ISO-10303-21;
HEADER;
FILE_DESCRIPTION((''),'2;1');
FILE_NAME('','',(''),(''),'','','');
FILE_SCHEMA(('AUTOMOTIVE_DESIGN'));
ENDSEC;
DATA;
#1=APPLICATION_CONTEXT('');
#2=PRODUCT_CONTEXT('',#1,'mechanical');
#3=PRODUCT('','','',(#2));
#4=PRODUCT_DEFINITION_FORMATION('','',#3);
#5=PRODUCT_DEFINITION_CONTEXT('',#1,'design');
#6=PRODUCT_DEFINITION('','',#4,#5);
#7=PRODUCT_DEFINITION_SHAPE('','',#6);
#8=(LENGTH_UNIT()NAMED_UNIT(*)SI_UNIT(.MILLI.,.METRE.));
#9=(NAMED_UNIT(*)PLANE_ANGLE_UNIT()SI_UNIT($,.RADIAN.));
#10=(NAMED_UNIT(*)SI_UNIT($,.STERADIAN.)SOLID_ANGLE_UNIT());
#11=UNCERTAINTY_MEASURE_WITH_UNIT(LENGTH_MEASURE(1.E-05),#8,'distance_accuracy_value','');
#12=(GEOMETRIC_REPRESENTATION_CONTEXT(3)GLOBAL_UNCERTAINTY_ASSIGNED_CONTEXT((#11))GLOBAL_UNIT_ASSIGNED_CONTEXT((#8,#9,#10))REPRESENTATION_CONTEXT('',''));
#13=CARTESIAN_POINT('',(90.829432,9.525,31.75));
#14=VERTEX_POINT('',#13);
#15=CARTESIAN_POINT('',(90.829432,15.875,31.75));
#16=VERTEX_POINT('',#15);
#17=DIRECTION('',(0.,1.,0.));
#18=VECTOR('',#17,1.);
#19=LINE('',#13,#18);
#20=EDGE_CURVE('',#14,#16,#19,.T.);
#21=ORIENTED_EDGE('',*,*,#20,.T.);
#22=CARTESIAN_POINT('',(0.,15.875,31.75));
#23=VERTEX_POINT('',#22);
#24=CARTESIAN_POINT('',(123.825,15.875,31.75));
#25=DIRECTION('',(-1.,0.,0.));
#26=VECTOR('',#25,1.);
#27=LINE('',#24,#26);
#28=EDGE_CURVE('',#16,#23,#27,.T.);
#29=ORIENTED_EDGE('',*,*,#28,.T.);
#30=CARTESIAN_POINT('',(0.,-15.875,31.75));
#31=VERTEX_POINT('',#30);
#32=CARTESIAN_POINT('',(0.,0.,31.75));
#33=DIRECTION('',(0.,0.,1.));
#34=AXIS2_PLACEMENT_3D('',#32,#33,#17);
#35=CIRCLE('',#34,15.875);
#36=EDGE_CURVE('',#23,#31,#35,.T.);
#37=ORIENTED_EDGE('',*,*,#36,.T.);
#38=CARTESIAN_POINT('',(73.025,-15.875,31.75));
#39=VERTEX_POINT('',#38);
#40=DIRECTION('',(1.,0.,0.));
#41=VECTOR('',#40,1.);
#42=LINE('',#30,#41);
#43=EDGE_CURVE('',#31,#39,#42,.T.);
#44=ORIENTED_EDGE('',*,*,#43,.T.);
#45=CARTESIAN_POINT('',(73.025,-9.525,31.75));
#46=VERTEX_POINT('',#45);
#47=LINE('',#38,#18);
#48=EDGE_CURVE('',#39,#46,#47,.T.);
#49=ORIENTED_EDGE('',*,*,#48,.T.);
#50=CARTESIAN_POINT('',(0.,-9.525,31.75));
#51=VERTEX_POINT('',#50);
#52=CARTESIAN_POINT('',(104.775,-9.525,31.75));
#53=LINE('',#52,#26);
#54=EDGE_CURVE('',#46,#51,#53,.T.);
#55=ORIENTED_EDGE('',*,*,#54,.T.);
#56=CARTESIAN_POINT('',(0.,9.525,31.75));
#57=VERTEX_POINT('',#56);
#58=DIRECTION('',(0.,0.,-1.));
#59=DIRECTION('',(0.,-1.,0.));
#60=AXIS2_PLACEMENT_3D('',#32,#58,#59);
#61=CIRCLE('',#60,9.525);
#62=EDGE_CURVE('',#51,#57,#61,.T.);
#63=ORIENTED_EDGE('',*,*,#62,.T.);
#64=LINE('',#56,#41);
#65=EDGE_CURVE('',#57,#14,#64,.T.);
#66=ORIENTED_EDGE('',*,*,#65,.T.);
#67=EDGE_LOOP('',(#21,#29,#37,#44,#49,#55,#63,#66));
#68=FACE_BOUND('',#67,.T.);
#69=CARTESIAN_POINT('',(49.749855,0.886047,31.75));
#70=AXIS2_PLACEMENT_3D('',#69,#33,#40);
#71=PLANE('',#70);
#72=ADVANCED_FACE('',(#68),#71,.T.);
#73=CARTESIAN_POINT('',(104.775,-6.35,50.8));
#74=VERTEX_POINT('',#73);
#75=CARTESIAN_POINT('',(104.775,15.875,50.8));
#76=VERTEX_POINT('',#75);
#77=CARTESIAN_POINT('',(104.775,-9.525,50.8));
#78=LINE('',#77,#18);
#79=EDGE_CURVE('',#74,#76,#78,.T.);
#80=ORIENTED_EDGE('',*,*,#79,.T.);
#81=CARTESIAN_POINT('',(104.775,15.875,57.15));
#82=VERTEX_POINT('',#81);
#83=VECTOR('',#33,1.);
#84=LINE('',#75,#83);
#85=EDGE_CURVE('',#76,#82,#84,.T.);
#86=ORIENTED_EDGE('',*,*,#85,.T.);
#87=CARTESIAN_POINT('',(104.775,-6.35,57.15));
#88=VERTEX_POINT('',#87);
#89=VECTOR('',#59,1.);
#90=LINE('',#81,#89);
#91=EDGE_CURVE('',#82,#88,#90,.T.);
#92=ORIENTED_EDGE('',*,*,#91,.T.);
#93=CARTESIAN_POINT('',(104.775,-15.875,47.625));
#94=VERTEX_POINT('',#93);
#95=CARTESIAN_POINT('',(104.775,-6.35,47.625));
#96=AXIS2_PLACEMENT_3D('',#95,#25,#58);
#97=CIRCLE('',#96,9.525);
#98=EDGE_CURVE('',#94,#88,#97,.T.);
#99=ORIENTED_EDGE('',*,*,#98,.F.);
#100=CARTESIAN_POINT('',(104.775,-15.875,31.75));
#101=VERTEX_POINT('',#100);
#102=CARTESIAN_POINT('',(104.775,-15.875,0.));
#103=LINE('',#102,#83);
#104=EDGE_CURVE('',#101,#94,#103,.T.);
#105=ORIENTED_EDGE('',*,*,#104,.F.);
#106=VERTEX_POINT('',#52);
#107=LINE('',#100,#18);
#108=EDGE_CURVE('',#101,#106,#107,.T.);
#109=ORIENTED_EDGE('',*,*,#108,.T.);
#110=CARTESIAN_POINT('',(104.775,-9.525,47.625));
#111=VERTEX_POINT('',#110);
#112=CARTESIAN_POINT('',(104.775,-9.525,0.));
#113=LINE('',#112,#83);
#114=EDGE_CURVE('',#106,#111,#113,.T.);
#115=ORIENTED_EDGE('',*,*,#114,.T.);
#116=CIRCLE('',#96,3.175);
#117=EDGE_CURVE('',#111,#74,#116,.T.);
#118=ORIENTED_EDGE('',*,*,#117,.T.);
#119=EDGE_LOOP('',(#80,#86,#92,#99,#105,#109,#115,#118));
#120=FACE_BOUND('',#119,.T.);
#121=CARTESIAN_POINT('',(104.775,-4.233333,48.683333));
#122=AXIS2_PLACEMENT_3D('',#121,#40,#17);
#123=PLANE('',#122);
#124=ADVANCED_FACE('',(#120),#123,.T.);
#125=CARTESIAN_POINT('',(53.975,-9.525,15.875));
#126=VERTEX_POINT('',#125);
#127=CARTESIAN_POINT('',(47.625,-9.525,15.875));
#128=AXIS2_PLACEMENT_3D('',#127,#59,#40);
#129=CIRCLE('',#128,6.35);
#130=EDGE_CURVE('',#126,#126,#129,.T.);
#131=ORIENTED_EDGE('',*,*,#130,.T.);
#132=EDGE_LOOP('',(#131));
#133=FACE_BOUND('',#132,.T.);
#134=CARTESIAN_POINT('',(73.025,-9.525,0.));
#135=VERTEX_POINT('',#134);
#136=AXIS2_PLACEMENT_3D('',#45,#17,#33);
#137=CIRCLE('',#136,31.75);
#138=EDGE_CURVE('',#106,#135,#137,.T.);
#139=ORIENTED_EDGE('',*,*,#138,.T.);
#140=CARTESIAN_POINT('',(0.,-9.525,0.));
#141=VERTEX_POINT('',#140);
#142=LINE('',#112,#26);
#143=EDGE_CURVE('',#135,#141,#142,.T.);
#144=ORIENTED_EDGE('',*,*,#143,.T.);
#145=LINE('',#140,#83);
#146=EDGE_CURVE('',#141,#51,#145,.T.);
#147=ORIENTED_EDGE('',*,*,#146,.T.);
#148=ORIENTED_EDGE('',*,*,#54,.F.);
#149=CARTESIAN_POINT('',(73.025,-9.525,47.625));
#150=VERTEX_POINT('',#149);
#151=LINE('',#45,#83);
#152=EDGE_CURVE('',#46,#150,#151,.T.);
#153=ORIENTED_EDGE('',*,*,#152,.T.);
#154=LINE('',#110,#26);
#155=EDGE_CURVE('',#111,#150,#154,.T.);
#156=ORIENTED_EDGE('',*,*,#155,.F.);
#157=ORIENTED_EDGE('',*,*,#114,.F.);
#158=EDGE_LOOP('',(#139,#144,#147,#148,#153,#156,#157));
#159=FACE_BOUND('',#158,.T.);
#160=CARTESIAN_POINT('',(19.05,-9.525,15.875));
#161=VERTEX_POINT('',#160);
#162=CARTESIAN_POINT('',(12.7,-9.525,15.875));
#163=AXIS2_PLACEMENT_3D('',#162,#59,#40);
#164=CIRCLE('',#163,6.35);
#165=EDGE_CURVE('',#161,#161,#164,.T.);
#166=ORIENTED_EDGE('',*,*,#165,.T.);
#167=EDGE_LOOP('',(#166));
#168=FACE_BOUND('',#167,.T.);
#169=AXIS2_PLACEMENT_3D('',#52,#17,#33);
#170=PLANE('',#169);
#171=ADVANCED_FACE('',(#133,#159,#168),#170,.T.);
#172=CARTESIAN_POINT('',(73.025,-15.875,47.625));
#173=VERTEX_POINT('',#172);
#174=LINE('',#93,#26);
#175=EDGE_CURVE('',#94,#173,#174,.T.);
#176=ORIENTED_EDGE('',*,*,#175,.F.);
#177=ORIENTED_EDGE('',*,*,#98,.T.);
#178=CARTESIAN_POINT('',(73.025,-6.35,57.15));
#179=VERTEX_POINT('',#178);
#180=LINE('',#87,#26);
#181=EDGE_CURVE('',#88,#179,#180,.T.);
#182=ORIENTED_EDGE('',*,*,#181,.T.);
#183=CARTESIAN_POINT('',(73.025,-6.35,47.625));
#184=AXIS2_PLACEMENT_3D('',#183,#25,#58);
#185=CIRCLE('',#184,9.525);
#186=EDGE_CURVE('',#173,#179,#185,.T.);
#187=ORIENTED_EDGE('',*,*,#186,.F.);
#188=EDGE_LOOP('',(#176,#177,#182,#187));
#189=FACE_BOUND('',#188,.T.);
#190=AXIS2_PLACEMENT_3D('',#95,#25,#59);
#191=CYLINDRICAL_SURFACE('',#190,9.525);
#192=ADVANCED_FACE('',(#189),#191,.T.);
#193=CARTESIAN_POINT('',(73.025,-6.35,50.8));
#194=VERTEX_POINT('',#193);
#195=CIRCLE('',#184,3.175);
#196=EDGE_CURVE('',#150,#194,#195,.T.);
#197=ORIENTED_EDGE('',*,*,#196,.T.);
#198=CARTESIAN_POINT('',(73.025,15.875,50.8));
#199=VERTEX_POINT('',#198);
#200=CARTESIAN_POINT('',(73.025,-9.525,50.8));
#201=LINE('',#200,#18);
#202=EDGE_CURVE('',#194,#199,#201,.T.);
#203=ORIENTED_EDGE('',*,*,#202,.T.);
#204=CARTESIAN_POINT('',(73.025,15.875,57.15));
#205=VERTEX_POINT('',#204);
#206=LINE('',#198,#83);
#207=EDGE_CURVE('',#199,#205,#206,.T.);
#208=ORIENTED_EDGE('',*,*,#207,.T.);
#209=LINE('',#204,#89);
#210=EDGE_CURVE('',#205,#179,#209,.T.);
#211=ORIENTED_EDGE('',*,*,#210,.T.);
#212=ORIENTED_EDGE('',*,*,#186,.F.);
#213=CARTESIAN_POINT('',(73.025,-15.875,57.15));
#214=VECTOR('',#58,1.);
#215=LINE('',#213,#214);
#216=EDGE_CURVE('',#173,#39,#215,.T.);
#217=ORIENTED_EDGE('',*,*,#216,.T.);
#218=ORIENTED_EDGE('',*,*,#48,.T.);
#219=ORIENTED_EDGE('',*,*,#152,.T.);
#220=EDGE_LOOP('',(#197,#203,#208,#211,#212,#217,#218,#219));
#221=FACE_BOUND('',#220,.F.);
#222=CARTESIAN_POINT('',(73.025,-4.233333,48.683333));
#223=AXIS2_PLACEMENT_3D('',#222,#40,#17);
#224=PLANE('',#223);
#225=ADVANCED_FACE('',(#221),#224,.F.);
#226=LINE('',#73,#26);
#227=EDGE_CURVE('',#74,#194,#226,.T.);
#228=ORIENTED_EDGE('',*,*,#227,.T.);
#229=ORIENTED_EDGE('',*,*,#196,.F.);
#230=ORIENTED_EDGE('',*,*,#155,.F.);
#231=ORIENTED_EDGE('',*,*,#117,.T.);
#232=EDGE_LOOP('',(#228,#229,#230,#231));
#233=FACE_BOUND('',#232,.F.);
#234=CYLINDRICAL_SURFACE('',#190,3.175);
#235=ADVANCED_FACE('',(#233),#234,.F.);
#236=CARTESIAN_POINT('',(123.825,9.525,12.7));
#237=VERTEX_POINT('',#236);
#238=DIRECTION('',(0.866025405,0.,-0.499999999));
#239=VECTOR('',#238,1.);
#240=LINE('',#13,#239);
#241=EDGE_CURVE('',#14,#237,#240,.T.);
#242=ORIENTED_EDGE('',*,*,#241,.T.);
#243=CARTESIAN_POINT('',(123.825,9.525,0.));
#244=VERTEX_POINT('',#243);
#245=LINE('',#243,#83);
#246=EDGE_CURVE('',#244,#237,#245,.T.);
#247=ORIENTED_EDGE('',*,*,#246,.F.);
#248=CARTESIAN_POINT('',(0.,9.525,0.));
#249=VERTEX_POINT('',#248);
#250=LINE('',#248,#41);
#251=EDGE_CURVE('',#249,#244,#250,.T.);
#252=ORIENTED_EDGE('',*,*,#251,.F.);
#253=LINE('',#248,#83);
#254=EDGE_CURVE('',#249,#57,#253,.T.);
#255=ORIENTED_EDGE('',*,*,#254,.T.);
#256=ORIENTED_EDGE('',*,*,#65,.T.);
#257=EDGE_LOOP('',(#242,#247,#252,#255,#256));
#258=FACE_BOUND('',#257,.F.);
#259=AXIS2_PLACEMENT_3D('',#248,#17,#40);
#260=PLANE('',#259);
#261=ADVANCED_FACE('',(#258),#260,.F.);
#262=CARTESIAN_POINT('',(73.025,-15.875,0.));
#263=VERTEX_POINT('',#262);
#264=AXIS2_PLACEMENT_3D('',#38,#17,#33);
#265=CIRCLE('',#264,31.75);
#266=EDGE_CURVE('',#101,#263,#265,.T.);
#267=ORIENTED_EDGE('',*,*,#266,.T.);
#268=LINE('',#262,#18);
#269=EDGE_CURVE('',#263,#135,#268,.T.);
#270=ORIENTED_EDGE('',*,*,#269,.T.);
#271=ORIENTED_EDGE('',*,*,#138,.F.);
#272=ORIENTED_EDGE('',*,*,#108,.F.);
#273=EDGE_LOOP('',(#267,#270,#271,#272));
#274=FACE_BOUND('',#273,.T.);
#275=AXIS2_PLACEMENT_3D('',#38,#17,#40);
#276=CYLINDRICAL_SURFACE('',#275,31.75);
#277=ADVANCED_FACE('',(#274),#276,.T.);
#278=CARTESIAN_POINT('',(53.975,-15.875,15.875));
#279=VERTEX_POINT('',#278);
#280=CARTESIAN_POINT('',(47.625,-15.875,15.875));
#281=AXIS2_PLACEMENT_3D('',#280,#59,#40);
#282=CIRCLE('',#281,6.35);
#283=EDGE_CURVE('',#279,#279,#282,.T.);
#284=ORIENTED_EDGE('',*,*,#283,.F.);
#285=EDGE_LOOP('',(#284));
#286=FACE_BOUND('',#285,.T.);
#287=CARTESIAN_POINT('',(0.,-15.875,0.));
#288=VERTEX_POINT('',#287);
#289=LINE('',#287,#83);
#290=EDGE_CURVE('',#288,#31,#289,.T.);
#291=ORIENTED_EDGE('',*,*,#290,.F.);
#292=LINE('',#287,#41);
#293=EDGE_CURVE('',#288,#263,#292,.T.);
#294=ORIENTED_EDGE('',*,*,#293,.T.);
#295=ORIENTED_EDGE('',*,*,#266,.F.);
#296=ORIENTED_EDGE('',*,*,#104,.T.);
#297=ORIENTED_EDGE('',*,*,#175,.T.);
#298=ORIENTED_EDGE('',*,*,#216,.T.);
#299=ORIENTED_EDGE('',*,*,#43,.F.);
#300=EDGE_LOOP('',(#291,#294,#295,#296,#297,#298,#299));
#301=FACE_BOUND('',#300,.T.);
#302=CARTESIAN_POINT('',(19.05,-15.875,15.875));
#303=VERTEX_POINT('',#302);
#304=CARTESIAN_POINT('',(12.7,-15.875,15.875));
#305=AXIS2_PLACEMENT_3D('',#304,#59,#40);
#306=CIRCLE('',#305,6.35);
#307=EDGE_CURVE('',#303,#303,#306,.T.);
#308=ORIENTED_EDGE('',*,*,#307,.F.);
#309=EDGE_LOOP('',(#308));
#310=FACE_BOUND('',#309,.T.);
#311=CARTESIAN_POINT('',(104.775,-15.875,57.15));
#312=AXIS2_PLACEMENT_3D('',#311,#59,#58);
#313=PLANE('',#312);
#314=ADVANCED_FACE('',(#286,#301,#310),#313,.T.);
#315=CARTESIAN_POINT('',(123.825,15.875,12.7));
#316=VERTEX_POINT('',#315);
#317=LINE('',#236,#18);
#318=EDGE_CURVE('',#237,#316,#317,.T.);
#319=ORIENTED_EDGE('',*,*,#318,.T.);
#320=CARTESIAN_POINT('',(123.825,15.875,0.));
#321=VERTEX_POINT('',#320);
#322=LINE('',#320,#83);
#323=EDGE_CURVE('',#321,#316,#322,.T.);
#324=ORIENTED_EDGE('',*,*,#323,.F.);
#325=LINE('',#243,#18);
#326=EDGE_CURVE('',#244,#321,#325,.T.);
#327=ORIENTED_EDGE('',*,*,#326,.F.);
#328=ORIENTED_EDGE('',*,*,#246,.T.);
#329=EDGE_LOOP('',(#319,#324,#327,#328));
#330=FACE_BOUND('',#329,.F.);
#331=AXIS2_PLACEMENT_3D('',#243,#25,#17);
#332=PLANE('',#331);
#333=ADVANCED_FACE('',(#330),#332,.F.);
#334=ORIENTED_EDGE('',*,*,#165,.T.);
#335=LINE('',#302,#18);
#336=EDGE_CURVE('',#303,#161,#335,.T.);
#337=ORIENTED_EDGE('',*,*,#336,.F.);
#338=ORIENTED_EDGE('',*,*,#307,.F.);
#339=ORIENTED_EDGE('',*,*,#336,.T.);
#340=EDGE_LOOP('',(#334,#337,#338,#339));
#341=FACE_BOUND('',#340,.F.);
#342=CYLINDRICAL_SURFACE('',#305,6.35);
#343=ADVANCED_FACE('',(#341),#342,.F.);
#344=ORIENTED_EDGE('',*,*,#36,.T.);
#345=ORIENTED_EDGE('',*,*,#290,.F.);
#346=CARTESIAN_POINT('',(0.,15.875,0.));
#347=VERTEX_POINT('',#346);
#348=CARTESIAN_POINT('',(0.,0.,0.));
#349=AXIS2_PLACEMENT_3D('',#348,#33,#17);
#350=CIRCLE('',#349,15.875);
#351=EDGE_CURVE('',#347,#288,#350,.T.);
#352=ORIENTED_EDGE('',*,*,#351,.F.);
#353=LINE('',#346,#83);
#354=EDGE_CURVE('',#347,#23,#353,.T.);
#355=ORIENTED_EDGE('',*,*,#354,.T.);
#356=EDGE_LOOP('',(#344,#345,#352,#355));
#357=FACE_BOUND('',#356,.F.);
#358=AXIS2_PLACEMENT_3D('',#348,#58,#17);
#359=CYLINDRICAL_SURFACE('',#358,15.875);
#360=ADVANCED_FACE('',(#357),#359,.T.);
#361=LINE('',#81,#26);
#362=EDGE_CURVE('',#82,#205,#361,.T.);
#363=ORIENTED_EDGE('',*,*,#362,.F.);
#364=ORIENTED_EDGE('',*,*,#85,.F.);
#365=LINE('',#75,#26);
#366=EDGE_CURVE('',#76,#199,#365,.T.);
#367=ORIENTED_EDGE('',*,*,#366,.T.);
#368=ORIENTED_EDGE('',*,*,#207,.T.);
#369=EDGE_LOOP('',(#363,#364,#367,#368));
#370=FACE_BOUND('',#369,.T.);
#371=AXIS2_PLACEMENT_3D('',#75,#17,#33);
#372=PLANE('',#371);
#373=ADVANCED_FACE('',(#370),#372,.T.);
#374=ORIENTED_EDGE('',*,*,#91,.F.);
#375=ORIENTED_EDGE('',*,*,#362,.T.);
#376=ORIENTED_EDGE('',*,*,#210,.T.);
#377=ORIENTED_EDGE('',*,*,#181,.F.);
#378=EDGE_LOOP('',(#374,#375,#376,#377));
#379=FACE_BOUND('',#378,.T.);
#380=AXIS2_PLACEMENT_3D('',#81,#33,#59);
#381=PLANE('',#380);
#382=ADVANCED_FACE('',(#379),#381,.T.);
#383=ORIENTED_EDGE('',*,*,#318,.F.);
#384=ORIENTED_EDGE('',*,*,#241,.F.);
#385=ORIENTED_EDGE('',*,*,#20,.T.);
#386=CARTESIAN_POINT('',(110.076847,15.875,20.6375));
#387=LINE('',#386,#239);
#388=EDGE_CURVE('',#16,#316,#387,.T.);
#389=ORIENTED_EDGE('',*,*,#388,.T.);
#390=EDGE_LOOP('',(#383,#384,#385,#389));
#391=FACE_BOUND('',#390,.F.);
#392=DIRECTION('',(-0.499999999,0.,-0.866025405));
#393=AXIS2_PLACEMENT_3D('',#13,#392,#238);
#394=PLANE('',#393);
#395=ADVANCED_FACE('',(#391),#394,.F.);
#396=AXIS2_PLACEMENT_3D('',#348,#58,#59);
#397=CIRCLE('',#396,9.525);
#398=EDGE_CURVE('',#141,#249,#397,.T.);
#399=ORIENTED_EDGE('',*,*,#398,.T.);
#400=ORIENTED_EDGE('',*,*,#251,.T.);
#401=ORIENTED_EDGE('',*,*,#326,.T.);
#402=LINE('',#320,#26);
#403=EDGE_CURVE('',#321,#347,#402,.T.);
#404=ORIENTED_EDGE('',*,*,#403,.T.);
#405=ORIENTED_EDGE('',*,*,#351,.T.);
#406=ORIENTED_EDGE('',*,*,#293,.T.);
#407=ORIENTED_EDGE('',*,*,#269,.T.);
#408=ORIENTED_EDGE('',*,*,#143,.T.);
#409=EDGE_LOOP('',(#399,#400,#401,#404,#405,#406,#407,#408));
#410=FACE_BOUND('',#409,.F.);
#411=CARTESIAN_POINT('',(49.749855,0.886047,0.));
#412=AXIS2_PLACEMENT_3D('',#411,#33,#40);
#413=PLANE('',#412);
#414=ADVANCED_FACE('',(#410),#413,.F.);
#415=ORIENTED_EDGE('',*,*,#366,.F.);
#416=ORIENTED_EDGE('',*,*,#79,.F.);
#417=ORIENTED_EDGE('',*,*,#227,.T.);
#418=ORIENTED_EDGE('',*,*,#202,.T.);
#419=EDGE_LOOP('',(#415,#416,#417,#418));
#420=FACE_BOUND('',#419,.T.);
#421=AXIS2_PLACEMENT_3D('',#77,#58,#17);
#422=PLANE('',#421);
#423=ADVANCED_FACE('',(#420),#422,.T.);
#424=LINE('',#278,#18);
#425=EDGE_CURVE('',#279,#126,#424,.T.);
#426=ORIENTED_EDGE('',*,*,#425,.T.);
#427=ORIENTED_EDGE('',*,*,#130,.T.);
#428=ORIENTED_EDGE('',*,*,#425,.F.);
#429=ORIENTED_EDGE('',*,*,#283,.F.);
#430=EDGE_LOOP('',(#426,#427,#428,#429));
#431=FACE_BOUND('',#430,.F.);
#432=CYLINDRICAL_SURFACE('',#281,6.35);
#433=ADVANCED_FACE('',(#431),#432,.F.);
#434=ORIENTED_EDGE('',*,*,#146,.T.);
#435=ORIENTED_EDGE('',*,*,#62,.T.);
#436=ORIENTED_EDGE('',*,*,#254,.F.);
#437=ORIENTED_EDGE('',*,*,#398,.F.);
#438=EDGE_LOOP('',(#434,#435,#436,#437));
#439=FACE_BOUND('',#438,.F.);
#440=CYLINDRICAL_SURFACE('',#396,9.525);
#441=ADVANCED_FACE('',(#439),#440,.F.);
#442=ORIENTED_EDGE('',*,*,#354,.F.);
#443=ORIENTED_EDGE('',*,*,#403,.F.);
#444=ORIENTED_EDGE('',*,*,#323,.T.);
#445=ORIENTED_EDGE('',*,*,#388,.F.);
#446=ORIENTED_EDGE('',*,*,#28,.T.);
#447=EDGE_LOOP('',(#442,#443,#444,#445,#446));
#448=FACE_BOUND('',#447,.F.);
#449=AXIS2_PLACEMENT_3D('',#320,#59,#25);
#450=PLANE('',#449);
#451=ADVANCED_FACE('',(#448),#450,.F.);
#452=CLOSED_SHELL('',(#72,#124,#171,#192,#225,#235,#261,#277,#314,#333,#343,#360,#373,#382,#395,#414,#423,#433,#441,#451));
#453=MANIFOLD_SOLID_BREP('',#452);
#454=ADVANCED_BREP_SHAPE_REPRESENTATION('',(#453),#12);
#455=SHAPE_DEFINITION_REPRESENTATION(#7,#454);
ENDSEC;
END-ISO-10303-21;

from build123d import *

# Parameters (mm, degrees)
F1_DEPTH  = 31.75
F3_DEPTH  = 25.4
F5_DEPTH  = 31.75
F7_R      = 31.75
F8_R      = 9.525
F9_R      = 3.175
F10_R     = 6.35
F11_DEPTH = 6.35


with BuildPart() as f1:
    # F0 (on Top) → F1 (new body)
    with BuildSketch(Plane.XY):
        with BuildLine():
            Line((123.825, 15.875), (0, 15.875))
            ThreePointArc((0, 15.875), (-15.875, 0), (0, -15.875))
            Line((0, -15.875), (104.775, -15.875))
            Line((104.775, -15.875), (104.775, -9.525))
            Line((104.775, -9.525), (0, -9.525))
            ThreePointArc((0, -9.525), (-9.525, 0), (0, 9.525))
            Line((0, 9.525), (123.825, 9.525))
            Line((123.825, 9.525), (123.825, 15.875))
        make_face()
    extrude(amount=F1_DEPTH)

    # F2 (on face) → F3 (cut)
    with BuildSketch(Plane.XZ.offset(-9.525)):
        Polygon((123.825, 31.75), (90.829432, 31.75), (123.825, 12.7), align=None)
    extrude(amount=-F3_DEPTH, mode=Mode.SUBTRACT)


with BuildPart() as f5:
    # F4 (on face) → F5 (new body)
    with BuildSketch(Plane.YZ.offset(104.775)):
        Polygon((-15.875, 57.15), (-15.875, 50.8), (-15.875, 31.75), (-9.525, 31.75), (-9.525, 50.8), (15.875, 50.8), (15.875, 57.15), align=None)
    extrude(amount=-F5_DEPTH)


with BuildPart() as f1_1:
    add(f1.part)

    # F6: union F5
    add(f5.part)

    # F7
    f7_edges = [f1_1.edges().sort_by_distance(p)[0] for p in [
        (104.775, -12.7, 0),
    ]]
    fillet(f7_edges, radius=F7_R)

    # F8
    f8_edges = [f1_1.edges().sort_by_distance(p)[0] for p in [
        (88.9, -15.875, 57.15),
    ]]
    fillet(f8_edges, radius=F8_R)

    # F9
    f9_edges = [f1_1.edges().sort_by_distance(p)[0] for p in [
        (88.9, -9.525, 50.8),
    ]]
    fillet(f9_edges, radius=F9_R)

    # F10 (on face) → F11 (cut)
    with BuildSketch(Plane.XZ.offset(15.875)):
        with Locations((12.7, 15.875)):
            Circle(F10_R)
        with Locations((47.625, 15.875)):
            Circle(F10_R)
    extrude(amount=-F11_DEPTH, mode=Mode.SUBTRACT)


solid = f1_1.part
